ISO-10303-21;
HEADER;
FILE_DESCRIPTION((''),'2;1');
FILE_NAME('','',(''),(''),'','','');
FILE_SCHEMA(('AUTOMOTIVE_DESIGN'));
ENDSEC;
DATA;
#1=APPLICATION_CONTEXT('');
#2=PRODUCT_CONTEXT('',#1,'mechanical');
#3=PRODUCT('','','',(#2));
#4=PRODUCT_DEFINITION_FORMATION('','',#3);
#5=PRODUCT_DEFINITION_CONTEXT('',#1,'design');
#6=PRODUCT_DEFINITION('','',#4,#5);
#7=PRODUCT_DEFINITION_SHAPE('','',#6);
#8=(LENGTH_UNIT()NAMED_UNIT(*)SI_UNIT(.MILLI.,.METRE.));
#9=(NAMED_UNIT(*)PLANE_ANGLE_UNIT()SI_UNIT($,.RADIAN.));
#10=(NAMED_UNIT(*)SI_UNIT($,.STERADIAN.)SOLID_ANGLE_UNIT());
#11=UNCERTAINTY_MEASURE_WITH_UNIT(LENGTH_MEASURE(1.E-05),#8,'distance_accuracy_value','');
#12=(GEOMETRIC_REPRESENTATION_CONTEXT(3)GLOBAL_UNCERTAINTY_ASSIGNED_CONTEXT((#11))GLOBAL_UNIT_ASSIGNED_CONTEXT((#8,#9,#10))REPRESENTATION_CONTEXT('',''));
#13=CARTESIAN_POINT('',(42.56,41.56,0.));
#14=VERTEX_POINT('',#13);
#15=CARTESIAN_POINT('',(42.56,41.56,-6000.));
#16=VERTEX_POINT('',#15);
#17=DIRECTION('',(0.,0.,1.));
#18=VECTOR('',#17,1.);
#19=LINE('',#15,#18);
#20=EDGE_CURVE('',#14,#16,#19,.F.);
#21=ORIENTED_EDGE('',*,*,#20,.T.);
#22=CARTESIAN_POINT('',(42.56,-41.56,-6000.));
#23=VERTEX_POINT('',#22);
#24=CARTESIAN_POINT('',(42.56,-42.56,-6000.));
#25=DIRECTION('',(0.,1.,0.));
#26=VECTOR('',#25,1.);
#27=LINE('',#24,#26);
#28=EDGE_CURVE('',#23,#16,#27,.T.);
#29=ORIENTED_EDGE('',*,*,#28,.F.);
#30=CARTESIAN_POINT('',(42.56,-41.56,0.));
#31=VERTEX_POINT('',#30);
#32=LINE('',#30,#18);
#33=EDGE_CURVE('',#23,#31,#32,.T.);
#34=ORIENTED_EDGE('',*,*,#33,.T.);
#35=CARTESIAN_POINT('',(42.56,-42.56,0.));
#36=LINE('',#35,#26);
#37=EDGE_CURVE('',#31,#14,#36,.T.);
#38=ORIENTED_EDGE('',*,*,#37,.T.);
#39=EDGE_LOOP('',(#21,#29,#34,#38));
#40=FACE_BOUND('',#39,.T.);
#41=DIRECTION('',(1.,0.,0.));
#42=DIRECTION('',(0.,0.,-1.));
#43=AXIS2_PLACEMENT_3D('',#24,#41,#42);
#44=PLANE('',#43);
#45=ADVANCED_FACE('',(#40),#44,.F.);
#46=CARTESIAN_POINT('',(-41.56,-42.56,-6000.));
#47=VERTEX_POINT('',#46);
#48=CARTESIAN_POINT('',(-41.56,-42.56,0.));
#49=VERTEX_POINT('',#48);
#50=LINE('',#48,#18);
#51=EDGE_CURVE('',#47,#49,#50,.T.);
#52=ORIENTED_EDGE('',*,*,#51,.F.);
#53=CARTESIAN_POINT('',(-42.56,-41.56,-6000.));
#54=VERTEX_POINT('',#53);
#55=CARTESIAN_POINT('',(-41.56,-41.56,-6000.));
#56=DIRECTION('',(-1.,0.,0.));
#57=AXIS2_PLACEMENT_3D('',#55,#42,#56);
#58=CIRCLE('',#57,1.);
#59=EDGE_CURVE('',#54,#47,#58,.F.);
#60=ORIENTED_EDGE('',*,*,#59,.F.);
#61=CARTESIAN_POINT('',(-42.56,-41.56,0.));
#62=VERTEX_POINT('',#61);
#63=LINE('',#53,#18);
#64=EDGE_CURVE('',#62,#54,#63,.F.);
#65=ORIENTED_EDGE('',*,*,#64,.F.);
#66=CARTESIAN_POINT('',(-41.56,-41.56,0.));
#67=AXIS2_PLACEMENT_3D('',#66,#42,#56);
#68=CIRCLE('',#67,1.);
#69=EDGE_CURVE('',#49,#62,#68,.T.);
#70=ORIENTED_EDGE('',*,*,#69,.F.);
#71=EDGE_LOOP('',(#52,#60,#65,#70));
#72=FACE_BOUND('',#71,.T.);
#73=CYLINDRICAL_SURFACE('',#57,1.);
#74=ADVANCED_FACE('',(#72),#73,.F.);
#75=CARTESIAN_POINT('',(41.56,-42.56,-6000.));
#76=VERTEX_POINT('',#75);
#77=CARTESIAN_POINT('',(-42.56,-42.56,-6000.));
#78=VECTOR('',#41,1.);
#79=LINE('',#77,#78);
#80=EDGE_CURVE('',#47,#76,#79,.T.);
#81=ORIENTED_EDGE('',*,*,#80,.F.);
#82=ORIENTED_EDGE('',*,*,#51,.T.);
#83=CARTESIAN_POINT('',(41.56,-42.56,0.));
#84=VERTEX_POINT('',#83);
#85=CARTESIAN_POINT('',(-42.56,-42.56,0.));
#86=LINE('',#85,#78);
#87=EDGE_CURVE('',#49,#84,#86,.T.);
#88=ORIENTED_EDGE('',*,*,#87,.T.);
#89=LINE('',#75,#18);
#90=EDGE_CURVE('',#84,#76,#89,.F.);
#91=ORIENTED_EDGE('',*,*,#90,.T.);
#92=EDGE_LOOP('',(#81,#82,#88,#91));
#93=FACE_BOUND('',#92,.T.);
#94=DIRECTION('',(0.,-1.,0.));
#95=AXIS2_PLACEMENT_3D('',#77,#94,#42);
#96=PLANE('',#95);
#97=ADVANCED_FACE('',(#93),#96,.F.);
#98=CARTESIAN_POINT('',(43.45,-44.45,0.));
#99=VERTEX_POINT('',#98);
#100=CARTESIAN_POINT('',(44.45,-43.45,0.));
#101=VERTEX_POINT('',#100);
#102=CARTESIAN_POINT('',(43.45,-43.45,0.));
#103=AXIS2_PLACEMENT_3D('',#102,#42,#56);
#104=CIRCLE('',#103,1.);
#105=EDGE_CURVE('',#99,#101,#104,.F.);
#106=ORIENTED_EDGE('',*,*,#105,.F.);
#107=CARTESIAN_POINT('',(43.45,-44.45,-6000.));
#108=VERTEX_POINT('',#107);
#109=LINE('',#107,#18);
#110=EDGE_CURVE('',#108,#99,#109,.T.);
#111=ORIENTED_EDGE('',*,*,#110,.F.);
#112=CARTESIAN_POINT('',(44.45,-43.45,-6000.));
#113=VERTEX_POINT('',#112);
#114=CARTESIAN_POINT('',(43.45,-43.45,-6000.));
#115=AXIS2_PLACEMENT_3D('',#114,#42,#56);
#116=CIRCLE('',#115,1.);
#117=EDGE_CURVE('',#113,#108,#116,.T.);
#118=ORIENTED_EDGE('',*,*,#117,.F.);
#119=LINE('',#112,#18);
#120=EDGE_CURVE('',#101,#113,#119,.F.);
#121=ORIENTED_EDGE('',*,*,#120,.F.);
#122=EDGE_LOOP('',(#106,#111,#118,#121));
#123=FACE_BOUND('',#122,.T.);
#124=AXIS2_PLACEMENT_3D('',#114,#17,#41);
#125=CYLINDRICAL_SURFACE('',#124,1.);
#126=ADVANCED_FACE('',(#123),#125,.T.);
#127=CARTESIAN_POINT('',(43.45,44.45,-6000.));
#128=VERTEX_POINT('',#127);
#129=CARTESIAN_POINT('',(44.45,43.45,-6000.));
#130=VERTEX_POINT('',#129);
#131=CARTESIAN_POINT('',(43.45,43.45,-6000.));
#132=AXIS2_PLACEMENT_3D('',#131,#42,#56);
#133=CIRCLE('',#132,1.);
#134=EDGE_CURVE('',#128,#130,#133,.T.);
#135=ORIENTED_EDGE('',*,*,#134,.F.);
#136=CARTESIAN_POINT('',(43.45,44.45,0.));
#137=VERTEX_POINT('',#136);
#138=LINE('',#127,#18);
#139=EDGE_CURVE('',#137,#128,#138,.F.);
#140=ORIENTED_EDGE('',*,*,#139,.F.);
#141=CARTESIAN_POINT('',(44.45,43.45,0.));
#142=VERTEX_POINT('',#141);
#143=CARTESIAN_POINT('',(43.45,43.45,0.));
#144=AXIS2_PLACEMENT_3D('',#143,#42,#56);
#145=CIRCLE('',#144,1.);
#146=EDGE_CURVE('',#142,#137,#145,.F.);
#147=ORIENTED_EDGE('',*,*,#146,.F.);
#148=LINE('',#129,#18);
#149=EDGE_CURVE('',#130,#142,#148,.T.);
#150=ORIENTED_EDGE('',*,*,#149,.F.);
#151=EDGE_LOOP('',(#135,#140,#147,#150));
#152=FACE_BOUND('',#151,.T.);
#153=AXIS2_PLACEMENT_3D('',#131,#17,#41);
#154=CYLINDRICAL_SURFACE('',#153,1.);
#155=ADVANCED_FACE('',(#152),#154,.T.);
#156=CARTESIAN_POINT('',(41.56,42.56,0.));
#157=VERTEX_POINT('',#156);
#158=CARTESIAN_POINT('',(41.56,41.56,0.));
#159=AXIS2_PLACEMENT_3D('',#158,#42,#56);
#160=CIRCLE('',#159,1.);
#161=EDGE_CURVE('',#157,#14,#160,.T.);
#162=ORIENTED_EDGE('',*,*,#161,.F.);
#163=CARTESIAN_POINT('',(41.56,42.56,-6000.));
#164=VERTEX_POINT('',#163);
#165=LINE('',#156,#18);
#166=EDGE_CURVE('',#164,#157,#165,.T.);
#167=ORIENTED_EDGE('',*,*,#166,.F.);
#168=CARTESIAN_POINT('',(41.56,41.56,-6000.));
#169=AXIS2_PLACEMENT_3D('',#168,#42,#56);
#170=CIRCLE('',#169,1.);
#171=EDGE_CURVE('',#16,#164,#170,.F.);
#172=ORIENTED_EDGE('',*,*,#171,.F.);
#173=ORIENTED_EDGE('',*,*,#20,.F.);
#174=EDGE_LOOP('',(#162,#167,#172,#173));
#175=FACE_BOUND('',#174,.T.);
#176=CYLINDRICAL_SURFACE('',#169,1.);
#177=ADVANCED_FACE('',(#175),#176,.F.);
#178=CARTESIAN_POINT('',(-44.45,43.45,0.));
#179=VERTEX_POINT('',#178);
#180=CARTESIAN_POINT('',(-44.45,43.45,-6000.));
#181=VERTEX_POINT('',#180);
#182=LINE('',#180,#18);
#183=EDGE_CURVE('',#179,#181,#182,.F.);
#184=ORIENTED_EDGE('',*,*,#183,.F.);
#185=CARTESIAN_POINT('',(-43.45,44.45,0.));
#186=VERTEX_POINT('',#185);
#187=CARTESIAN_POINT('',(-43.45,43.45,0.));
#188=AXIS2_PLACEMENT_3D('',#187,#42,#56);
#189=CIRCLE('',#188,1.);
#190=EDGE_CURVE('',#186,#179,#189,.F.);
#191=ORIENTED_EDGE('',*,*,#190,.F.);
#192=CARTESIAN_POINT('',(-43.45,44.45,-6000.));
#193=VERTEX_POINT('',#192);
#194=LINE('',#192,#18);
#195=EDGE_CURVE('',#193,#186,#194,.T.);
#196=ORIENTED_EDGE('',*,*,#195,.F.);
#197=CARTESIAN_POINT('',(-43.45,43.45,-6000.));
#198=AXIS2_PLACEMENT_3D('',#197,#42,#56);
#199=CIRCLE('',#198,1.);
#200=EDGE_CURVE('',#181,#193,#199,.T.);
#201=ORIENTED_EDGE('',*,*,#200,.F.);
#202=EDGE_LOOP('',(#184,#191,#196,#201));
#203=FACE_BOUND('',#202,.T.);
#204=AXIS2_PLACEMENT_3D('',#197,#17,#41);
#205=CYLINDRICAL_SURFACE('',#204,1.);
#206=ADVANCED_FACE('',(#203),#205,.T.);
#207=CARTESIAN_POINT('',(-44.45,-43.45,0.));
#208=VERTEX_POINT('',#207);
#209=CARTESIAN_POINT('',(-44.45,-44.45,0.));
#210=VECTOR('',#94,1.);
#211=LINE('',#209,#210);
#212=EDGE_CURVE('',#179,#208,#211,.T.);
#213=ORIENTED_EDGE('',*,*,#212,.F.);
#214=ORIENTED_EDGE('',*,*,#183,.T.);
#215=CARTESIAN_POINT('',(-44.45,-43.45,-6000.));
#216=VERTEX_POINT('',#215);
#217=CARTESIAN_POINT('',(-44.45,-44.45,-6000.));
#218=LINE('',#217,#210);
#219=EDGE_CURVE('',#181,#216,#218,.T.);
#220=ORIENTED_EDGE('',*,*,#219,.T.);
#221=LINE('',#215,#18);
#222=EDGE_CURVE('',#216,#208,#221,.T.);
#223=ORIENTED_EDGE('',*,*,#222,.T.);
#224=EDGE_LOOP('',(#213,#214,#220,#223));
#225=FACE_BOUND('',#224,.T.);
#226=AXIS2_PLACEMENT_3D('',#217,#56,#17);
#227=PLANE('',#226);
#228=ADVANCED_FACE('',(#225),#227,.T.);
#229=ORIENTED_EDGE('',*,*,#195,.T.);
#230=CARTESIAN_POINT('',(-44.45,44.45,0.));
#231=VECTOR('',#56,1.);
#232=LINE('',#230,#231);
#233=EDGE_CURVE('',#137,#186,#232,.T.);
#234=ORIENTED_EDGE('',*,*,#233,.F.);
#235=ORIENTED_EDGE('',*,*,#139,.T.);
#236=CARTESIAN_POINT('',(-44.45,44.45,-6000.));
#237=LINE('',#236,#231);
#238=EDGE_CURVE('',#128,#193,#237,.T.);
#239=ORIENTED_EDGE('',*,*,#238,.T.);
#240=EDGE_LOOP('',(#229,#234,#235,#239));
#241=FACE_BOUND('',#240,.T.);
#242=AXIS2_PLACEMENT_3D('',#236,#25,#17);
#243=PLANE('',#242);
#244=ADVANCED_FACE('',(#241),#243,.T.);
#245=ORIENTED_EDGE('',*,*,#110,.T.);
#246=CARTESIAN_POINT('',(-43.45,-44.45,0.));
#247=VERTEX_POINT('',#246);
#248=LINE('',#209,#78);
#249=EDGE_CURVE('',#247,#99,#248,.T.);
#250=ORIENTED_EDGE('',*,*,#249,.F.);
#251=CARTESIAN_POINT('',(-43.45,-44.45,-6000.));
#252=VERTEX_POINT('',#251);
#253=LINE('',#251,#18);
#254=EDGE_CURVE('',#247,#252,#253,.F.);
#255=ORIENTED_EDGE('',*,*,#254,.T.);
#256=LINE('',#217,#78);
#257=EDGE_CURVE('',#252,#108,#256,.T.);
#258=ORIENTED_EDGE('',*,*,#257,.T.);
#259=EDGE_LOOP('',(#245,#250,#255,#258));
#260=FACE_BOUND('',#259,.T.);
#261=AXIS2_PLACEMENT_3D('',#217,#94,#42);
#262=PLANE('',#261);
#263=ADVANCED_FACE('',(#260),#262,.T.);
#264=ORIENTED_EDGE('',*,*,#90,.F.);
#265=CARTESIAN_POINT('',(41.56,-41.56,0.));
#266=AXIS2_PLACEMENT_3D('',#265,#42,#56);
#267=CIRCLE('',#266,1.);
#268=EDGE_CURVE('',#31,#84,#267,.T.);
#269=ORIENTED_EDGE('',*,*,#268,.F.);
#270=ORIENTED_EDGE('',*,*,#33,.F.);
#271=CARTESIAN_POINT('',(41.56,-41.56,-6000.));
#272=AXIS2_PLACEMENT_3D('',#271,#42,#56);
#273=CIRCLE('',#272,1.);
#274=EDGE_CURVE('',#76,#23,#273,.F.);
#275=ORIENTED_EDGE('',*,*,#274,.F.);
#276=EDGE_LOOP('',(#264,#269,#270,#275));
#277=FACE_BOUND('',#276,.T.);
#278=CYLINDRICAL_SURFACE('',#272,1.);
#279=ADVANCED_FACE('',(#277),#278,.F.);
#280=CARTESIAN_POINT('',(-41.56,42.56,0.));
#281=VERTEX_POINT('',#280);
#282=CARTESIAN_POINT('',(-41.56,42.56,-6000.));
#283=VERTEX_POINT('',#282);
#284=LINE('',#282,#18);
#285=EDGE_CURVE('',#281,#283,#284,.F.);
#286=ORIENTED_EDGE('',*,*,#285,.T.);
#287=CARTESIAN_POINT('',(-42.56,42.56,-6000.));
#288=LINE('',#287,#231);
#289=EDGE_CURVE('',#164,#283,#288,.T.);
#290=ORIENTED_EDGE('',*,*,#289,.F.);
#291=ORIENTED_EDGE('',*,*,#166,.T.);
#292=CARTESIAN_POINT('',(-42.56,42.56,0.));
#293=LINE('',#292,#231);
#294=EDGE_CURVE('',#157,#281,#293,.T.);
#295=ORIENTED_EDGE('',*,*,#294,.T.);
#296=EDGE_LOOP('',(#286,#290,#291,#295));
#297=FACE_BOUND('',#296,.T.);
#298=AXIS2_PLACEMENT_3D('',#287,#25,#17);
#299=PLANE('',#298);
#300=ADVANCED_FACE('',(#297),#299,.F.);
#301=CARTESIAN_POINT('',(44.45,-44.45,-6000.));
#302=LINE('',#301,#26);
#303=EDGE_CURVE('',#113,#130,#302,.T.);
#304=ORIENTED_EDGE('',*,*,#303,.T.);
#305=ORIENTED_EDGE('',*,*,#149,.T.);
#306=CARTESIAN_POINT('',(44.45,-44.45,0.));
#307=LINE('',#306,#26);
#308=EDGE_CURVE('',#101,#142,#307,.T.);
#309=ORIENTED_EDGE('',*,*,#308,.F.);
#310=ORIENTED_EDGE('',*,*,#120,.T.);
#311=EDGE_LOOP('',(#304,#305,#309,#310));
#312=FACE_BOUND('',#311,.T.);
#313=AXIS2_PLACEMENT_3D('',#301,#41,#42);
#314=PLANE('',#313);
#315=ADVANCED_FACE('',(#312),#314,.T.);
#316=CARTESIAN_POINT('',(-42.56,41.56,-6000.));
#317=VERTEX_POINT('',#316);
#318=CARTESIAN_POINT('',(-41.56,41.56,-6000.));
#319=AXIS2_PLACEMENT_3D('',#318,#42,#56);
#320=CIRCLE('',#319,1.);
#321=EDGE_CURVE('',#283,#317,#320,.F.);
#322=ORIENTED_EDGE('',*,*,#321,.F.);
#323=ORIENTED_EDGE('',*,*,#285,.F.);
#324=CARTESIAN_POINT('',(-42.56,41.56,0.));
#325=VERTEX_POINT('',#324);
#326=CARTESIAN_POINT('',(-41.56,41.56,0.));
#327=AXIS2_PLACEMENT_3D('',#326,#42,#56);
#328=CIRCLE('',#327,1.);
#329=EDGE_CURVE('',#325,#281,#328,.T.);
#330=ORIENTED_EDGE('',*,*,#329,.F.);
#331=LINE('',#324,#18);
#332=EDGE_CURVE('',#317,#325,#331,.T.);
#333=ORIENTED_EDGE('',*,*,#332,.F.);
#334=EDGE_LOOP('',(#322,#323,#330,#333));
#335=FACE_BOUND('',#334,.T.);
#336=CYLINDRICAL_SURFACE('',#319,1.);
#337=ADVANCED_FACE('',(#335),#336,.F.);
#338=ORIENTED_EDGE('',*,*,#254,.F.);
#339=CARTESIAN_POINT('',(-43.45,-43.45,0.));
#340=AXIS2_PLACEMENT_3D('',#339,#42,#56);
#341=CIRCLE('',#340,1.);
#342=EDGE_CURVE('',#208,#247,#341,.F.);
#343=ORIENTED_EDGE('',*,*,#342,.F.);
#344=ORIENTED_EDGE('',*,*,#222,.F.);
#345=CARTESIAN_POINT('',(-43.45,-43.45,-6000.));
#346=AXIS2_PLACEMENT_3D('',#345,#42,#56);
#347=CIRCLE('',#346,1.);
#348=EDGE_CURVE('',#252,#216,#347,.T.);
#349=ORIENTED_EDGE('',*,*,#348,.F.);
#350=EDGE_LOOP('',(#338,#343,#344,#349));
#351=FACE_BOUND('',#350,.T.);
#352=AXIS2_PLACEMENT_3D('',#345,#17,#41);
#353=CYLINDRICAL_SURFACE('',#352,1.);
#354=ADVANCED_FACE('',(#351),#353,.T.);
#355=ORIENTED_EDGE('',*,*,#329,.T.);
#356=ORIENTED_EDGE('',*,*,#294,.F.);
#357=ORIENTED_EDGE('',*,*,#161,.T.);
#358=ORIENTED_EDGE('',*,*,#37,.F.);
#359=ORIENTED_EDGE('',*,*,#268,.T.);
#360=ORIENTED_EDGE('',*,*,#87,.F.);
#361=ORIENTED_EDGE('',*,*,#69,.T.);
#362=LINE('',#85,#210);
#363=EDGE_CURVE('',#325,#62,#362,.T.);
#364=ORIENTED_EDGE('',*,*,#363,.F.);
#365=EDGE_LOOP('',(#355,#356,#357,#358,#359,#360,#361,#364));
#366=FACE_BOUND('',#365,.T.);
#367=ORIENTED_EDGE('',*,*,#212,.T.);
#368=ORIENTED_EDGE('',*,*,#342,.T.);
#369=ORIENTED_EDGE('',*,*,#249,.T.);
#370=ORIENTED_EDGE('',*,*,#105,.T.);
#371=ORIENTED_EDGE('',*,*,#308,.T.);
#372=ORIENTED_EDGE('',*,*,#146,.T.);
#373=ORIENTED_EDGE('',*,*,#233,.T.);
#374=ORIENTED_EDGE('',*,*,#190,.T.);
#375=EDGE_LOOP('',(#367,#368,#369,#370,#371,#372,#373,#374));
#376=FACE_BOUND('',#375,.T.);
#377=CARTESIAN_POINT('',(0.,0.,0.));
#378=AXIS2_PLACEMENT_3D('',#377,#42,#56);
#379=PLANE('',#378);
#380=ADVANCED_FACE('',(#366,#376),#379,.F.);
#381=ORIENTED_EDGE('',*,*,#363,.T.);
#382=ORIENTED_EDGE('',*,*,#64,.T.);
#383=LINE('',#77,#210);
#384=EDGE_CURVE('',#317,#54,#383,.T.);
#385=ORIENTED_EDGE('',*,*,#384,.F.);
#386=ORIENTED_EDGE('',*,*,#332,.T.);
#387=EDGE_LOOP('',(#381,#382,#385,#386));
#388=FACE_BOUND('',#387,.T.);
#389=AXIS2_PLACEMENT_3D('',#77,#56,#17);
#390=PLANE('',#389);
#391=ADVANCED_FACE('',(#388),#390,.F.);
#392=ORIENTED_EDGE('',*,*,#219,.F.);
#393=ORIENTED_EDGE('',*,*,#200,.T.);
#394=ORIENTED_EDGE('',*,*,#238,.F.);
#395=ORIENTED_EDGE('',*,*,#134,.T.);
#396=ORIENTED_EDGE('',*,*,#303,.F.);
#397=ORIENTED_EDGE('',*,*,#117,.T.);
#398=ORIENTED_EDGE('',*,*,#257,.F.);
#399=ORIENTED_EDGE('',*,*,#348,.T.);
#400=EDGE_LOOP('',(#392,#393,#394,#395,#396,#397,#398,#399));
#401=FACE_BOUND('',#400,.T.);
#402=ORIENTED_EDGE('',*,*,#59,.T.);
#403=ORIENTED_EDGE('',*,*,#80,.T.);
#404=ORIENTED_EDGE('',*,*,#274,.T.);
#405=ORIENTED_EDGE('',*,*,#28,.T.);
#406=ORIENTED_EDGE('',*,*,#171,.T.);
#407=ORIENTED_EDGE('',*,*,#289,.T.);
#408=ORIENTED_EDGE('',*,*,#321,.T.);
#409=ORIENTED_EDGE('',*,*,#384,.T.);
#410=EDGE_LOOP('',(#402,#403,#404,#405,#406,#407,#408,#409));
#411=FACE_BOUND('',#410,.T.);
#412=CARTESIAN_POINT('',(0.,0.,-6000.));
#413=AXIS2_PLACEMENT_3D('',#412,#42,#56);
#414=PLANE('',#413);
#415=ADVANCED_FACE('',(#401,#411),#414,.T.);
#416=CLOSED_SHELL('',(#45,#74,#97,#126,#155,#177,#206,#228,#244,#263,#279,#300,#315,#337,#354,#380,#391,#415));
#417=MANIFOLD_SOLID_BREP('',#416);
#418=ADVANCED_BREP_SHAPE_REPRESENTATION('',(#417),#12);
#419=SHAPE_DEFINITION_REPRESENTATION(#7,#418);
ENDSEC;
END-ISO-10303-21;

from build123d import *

# Parameters (mm, degrees)
CROQUIS1_W              = 88.9
CROQUIS1_H              = 88.9
CROQUIS1_W_2            = 85.12
CROQUIS1_H_2            = 85.12
SALIENTE_EXTRUIR1_DEPTH = 6000
REDONDEO1_R             = 1


with BuildPart() as part:
    # Croquis1 → Saliente-Extruir1 (new body)
    with BuildSketch(Plane.XY):
        Rectangle(CROQUIS1_W, CROQUIS1_H)
        Rectangle(CROQUIS1_W_2, CROQUIS1_H_2, mode=Mode.SUBTRACT)
    extrude(amount=-SALIENTE_EXTRUIR1_DEPTH)

    # Redondeo1
    redondeo1_edges = [part.edges().sort_by_distance(p)[0] for p in [
        (42.56, -42.56, -3000),
        (-42.56, -42.56, -3000),
        (-42.56, 42.56, -3000),
        (42.56, 42.56, -3000),
        (44.45, -44.45, -3000),
        (-44.45, -44.45, -3000),
        (-44.45, 44.45, -3000),
        (44.45, 44.45, -3000),
    ]]
    fillet(redondeo1_edges, radius=REDONDEO1_R)


solid = part.part
